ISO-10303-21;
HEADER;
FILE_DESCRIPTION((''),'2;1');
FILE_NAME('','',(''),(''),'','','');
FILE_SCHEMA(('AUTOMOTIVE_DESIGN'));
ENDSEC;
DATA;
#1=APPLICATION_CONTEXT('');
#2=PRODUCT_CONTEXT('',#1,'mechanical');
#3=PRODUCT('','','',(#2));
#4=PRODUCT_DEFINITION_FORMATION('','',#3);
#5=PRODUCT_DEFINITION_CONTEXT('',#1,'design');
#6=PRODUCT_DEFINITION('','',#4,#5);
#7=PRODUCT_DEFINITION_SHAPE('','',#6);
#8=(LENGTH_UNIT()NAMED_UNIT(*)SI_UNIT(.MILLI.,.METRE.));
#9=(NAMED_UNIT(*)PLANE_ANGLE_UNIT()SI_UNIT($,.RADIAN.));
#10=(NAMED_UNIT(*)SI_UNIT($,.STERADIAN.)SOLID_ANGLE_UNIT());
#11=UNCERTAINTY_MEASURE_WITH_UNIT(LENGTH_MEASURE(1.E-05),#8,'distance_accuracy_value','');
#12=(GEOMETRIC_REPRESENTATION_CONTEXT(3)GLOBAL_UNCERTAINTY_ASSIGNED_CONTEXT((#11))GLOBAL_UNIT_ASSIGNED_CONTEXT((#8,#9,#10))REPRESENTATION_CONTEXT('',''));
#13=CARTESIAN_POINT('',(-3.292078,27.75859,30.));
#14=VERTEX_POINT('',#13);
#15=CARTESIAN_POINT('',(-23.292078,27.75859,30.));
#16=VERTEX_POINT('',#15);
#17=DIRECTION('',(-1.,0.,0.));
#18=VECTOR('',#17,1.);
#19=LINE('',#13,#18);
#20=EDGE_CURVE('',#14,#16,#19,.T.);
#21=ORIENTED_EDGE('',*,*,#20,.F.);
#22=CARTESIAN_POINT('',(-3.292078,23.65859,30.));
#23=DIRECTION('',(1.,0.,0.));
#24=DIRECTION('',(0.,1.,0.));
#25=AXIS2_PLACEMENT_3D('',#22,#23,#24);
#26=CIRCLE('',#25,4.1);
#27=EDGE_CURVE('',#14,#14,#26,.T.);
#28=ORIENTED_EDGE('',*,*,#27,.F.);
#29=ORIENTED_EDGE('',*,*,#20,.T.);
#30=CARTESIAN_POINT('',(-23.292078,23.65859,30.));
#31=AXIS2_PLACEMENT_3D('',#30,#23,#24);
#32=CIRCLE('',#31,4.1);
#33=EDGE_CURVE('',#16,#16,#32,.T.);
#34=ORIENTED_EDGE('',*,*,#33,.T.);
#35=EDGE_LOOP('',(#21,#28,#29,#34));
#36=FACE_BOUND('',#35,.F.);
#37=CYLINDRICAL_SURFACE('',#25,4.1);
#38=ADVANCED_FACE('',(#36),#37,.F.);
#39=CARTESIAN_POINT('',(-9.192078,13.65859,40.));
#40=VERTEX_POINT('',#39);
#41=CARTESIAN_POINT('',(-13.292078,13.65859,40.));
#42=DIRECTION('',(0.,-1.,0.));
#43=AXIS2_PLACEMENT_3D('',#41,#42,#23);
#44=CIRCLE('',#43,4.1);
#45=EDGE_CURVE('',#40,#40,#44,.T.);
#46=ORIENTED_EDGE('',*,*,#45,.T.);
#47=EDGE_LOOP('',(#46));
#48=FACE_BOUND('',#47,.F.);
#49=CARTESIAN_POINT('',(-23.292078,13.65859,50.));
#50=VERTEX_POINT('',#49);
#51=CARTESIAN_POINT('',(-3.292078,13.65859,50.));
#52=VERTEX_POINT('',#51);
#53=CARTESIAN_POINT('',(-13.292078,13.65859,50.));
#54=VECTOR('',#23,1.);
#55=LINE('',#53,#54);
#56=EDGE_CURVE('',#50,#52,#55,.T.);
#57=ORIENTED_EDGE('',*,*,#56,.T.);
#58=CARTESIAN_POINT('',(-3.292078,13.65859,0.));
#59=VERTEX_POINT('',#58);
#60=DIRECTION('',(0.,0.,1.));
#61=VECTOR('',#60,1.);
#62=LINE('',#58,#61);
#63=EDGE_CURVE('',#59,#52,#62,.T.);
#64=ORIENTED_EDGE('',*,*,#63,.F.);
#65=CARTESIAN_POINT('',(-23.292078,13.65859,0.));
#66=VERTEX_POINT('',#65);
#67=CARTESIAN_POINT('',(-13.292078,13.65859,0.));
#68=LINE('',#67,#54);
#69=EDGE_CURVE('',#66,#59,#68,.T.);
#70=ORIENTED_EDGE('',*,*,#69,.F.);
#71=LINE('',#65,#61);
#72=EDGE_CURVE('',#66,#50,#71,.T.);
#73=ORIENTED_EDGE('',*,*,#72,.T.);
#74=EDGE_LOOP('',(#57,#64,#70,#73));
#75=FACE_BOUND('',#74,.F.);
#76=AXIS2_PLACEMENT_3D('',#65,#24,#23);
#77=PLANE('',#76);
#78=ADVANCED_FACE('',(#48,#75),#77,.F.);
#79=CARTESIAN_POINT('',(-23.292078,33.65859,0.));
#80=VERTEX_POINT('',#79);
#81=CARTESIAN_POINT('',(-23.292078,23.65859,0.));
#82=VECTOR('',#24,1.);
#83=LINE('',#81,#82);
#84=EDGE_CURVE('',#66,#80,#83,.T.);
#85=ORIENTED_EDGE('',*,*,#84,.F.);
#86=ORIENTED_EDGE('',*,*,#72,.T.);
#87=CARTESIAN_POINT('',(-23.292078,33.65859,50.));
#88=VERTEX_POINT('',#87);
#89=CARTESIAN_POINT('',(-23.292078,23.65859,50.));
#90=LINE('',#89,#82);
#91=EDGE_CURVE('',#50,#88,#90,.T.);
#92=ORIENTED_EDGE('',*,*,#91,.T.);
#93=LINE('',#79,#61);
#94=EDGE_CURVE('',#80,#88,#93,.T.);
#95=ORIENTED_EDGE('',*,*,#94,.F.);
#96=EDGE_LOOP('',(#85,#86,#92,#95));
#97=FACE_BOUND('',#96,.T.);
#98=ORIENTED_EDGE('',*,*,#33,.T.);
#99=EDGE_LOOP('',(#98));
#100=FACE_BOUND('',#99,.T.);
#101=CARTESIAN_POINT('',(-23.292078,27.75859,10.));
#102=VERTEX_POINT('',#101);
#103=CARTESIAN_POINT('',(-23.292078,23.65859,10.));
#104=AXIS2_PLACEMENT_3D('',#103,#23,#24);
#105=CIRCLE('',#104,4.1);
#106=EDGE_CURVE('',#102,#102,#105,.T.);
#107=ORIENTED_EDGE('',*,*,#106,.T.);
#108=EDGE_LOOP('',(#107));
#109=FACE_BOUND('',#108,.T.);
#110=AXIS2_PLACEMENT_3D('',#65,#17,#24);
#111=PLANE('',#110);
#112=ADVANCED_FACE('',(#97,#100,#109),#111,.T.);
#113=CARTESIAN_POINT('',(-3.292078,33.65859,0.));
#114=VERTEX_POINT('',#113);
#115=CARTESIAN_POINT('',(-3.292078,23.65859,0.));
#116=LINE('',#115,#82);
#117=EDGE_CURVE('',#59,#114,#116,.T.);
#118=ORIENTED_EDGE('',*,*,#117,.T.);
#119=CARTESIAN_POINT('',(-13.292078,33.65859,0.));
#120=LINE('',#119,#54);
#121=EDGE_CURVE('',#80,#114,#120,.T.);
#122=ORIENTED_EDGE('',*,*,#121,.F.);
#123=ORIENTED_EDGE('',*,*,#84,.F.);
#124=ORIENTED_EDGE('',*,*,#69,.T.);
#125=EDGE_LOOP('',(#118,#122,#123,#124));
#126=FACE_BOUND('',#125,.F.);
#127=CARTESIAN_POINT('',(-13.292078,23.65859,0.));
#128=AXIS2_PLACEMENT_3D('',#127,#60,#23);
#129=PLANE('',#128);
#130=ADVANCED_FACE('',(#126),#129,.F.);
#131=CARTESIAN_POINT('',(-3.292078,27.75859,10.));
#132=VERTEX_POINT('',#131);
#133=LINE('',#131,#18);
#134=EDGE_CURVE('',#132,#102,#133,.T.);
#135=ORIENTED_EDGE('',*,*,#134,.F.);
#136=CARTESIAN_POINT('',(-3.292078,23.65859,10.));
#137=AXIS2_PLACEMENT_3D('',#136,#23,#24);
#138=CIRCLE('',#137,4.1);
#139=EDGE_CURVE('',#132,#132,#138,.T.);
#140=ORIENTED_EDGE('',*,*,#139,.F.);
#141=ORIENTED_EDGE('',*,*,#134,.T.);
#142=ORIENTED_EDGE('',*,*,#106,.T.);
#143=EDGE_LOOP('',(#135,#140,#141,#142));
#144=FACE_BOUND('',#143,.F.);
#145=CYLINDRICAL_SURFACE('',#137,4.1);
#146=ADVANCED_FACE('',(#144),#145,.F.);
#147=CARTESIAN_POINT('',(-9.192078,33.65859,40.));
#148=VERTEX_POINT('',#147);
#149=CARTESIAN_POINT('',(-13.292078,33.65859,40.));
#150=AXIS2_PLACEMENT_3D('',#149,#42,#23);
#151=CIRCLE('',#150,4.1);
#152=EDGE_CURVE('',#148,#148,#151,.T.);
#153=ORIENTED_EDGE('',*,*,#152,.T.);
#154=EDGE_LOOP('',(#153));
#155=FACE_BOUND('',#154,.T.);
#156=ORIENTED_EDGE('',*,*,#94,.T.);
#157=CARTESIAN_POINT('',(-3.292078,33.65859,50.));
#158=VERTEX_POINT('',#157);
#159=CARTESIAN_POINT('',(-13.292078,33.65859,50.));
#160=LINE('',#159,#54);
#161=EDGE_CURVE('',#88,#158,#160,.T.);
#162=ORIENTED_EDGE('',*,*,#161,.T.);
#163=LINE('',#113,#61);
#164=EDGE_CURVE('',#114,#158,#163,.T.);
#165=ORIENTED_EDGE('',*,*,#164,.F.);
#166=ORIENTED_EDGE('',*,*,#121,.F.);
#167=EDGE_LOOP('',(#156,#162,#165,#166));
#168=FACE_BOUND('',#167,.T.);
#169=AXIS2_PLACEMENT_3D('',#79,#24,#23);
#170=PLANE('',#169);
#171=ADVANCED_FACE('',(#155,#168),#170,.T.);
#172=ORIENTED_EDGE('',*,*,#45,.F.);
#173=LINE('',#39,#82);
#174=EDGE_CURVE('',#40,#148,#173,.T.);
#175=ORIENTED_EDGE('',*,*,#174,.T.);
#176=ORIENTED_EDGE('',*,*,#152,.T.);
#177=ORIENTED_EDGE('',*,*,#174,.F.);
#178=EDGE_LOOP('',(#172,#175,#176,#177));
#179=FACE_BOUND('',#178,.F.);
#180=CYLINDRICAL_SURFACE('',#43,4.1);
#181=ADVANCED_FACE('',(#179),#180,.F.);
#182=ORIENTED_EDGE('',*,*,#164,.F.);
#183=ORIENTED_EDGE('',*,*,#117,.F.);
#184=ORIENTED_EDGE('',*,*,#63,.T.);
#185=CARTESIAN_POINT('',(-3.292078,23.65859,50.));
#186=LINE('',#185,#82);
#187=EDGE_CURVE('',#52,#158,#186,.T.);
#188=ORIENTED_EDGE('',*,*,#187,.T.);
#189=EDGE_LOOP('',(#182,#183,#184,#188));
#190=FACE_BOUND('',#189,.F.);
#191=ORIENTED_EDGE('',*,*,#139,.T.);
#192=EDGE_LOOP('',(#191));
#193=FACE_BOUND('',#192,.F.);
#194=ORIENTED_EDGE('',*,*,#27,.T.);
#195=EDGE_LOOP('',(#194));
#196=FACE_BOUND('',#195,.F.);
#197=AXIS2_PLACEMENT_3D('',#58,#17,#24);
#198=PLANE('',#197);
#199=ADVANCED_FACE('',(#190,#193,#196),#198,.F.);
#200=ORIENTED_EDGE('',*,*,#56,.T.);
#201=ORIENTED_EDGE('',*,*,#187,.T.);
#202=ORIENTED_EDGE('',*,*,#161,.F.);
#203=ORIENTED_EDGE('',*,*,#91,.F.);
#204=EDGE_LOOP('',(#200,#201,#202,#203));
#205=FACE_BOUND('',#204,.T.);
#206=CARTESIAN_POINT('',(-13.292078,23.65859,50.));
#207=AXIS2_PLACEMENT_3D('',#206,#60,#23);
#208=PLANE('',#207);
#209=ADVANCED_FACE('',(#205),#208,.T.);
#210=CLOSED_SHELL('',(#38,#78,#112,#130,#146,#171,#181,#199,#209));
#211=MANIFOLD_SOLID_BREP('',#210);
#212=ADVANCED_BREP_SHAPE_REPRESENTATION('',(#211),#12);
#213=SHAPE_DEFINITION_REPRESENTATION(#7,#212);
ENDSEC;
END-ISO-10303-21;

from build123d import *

# Parameters (mm, degrees)
SKETCH_W        = 20
SKETCH_H        = 20
PAD_DEPTH       = 50
SKETCH001_R     = 4.1
POCKET_DEPTH    = 20
SKETCH002_R     = 4.1
POCKET001_DEPTH = 20


with BuildPart() as part:
    # Sketch → Pad (new body)
    with BuildSketch(Plane.XY):
        with Locations((-13.292078, 23.65859)):
            Rectangle(SKETCH_W, SKETCH_H)
    extrude(amount=PAD_DEPTH)

    # Sketch001 → Pocket (cut)
    with BuildSketch(Plane.YZ.offset(-3.292078)):
        with Locations((23.65859, 10)):
            Circle(SKETCH001_R)
        with Locations((23.65859, 30)):
            Circle(SKETCH001_R)
    extrude(amount=-POCKET_DEPTH, mode=Mode.SUBTRACT)

    # Sketch002 → Pocket001 (cut)
    with BuildSketch(Plane.XZ.offset(-13.65859)):
        with Locations((-13.292078, 40)):
            Circle(SKETCH002_R)
    extrude(amount=-POCKET001_DEPTH, mode=Mode.SUBTRACT)


solid = part.part
